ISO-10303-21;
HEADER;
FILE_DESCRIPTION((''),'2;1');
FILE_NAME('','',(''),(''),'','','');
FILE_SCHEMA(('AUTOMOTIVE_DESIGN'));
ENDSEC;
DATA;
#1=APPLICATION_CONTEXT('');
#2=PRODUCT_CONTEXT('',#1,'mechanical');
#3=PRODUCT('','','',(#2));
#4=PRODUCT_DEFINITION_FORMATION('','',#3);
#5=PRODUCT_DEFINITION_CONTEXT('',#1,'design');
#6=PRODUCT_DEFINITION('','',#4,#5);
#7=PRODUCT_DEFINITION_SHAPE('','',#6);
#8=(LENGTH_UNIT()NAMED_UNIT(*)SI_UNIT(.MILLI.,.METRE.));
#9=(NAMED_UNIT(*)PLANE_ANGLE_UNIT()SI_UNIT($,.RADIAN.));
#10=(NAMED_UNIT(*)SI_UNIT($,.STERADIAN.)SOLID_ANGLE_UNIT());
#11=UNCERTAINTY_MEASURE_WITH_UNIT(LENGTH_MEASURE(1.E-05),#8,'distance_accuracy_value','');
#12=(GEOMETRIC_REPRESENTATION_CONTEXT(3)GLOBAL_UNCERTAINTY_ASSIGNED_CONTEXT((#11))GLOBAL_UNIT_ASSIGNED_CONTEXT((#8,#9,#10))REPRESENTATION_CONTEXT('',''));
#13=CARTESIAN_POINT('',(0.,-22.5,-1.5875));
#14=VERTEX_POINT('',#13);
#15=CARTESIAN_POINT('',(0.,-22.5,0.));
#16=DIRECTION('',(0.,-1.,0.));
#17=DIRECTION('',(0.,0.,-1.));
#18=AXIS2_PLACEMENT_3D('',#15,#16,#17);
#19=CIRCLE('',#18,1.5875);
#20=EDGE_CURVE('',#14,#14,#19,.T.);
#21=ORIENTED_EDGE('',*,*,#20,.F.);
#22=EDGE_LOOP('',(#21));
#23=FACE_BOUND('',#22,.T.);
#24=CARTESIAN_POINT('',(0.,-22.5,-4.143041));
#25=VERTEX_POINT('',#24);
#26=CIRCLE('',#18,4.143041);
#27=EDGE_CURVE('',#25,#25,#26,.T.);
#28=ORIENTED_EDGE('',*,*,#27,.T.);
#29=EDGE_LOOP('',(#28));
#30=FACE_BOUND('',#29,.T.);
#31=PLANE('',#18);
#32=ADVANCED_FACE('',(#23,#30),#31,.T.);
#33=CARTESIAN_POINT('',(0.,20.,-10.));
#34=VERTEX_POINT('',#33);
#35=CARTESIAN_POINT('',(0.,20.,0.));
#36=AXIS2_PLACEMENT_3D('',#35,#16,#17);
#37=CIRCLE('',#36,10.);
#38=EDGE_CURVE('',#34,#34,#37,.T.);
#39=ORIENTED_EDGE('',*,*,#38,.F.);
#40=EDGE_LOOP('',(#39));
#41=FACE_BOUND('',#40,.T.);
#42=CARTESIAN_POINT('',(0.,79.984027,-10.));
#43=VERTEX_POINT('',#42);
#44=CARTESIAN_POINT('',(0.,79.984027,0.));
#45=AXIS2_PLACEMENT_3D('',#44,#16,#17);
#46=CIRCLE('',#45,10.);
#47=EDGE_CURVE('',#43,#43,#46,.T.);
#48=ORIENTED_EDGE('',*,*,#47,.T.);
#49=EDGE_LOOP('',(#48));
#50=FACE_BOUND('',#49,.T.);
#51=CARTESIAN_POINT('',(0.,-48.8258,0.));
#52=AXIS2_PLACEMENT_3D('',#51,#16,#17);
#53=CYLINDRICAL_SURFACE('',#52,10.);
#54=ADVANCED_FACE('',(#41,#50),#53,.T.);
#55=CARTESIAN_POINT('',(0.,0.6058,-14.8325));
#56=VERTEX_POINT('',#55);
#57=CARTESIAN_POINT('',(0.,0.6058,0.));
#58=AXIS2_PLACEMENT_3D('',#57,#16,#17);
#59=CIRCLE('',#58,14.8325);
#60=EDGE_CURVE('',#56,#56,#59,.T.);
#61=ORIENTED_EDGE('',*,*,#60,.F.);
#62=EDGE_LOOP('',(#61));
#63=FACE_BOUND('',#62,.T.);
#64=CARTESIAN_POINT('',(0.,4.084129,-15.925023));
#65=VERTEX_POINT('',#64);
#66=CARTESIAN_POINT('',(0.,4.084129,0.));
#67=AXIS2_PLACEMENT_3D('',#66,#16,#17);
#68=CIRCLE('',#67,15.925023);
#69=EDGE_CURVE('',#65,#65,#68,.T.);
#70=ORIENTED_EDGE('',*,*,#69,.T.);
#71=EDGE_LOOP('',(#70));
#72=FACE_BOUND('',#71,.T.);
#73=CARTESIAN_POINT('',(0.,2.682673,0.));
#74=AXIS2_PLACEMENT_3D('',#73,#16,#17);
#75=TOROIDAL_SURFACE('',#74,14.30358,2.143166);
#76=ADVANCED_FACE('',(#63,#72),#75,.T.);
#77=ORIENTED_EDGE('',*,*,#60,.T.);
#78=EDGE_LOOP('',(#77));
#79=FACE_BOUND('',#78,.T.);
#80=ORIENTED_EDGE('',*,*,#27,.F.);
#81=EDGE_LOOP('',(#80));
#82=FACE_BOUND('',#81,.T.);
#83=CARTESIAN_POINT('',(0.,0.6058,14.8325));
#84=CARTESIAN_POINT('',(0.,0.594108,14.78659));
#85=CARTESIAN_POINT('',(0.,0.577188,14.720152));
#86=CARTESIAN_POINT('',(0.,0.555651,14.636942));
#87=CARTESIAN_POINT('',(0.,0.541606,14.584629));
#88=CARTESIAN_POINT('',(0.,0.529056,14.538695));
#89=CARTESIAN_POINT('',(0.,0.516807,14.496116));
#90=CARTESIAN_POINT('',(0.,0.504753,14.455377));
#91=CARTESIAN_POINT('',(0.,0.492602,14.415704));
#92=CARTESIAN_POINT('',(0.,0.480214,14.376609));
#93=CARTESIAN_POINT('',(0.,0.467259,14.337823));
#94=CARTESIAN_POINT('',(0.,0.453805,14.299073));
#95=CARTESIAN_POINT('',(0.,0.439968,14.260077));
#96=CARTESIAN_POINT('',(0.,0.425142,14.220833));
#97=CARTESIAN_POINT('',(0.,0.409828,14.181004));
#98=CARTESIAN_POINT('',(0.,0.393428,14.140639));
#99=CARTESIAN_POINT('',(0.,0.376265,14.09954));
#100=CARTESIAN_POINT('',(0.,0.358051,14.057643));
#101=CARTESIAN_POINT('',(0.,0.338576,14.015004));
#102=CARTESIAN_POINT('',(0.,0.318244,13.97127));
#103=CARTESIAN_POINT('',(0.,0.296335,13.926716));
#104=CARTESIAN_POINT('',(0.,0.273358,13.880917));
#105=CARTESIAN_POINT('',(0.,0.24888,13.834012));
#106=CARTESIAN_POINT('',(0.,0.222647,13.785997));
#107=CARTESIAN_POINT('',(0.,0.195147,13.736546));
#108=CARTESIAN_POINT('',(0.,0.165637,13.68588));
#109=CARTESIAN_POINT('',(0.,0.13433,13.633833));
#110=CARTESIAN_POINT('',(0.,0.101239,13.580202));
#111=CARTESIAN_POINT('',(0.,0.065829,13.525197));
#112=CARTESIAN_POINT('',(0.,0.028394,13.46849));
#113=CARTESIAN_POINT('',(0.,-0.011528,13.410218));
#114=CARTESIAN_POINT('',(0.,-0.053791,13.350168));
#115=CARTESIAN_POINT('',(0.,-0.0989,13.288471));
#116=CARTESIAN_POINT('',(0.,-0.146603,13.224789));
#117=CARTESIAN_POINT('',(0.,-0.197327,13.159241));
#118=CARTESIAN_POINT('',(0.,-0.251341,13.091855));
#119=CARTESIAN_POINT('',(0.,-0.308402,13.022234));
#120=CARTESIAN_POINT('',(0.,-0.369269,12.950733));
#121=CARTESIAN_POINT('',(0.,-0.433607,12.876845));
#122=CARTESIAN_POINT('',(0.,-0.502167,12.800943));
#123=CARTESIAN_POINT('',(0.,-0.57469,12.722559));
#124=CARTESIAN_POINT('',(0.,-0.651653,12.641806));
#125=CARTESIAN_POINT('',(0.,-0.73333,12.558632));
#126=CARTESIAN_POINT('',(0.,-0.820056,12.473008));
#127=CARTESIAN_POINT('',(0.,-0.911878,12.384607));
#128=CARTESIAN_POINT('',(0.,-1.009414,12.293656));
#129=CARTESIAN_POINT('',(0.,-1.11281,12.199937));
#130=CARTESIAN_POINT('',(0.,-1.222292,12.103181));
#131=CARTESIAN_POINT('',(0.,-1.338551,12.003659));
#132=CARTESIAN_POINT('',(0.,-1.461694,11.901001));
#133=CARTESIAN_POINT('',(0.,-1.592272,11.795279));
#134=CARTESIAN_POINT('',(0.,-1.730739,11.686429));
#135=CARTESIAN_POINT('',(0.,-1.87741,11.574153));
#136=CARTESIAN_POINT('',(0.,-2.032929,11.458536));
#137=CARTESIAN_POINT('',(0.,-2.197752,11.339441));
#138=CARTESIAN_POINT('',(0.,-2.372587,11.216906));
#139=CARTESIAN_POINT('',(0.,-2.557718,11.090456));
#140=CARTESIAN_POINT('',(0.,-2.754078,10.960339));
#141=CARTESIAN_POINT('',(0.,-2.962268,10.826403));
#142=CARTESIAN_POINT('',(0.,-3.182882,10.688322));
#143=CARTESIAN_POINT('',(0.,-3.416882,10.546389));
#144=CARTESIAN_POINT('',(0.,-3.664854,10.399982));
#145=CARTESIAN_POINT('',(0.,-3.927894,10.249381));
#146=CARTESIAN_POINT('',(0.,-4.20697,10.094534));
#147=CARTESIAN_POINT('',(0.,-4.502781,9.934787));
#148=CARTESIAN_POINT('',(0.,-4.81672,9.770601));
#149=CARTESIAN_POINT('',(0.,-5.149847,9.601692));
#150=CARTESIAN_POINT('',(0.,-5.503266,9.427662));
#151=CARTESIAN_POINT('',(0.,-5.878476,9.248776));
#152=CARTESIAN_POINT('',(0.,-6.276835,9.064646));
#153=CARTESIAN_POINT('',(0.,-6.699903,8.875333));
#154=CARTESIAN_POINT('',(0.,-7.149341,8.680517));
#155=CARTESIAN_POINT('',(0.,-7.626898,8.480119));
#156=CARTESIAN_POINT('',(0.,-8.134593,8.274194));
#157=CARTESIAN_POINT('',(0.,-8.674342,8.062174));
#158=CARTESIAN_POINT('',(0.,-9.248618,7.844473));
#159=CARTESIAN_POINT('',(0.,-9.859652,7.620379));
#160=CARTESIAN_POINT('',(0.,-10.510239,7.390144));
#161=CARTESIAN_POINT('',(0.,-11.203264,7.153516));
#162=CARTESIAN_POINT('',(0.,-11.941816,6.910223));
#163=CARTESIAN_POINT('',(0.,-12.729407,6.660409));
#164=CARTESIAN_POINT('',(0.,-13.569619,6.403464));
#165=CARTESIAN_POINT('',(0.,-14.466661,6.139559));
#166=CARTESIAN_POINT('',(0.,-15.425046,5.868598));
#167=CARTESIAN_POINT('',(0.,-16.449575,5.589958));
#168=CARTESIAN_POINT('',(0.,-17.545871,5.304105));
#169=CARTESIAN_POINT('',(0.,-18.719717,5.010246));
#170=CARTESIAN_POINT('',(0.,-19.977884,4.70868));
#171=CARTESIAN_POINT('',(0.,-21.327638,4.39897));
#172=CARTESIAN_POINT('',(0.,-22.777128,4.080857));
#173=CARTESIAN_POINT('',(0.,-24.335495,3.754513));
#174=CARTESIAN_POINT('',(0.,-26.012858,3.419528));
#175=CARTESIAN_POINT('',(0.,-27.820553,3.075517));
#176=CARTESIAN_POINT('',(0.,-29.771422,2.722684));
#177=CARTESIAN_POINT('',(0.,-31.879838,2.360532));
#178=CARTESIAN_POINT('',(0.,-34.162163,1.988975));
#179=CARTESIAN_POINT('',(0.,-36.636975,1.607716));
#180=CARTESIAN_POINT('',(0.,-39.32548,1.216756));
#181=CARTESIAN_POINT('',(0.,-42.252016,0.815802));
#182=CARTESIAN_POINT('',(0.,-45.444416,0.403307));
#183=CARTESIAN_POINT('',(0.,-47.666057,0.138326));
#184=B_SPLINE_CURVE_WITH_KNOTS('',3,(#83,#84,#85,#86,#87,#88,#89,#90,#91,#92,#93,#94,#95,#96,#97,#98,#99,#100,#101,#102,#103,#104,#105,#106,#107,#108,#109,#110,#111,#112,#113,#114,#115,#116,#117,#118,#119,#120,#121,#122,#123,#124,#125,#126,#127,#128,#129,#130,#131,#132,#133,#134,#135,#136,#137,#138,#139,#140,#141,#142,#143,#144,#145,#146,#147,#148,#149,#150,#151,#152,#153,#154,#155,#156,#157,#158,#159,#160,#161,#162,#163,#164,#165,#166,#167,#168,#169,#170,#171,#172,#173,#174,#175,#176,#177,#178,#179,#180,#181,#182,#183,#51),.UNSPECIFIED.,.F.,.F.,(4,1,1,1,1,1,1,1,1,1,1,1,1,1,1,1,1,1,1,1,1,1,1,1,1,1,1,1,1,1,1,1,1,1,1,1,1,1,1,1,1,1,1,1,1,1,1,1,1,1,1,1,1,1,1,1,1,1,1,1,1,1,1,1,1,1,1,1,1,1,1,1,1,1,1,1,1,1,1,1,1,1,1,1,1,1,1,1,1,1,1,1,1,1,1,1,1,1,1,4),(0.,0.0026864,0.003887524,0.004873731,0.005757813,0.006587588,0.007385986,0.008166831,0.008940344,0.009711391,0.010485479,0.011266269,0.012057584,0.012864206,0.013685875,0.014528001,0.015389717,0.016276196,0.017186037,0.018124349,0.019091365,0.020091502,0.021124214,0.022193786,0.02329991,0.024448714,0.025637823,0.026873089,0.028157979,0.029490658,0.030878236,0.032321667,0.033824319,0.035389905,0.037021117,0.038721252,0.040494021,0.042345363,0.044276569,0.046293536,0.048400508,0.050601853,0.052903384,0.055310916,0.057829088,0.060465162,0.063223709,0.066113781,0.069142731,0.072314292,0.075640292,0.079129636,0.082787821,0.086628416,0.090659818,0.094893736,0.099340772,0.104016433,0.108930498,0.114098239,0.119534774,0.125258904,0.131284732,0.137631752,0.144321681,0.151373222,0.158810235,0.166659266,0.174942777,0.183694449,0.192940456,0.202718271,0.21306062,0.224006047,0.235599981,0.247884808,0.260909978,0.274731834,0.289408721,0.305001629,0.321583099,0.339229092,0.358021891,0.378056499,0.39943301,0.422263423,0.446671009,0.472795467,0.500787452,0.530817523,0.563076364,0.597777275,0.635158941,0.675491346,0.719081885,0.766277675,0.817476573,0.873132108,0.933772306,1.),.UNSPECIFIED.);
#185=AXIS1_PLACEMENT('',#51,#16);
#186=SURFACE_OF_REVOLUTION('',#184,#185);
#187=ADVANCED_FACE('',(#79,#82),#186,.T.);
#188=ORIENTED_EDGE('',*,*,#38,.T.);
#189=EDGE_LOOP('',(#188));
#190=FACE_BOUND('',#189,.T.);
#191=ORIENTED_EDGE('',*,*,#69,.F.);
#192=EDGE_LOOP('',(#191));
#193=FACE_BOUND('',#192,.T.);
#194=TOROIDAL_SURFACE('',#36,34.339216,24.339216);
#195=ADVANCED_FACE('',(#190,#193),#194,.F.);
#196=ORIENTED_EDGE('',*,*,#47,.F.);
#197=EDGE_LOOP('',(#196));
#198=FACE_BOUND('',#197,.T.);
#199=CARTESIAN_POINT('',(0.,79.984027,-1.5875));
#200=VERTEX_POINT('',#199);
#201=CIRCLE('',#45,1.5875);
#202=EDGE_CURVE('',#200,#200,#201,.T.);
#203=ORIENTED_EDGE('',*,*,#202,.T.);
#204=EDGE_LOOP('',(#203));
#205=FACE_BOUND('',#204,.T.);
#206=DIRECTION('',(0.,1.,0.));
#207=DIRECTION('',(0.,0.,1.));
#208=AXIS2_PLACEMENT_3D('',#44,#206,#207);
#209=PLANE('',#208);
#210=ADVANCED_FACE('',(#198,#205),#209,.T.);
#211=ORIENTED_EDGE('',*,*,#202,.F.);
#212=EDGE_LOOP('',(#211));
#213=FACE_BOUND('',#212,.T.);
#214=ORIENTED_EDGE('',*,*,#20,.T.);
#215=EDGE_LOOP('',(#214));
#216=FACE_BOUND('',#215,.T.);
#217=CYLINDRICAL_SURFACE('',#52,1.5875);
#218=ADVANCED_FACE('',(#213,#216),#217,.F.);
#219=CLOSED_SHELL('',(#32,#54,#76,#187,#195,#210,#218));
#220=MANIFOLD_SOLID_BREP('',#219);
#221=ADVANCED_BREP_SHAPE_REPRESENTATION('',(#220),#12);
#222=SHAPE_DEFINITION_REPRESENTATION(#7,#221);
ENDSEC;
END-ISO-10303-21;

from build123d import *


with BuildPart() as part:
    # Sketch2 → Revolve1 (revolve)
    with BuildSketch(Plane(origin=(0, 0, 0), x_dir=(0, 0, -1), z_dir=(1, 0, 0))):
        with BuildLine():
            Line((-10, 79.984026871), (-10, 20))
            ThreePointArc((-10, 20), (-11.529300925, 11.508521396), (-15.925023202, 4.084129443))
            ThreePointArc((-15.925023202, 4.084129443), (-16.348258147, 2.040451452), (-14.8325, 0.6058))
            add(Edge.make_bspline(
                [(-14.8325, 0.6058), (-14.786589527, 0.594107912), (-14.720151881, 0.577188139), (-14.636942478, 0.555651214), (-14.584628983, 0.541606051), (-14.538694782, 0.529056302), (-14.496115893, 0.516807178), (-14.455377323, 0.504752713), (-14.415703886, 0.492601586), (-14.376608725, 0.480213978), (-14.337823066, 0.467258765), (-14.299073296, 0.453804959), (-14.260077477, 0.439967714), (-14.220832936, 0.425142489), (-14.181003545, 0.409828499), (-14.140639226, 0.39342794), (-14.099539827, 0.376264866), (-14.057643188, 0.358051468), (-14.015003626, 0.338576095), (-13.971270318, 0.318244004), (-13.926716478, 0.296334648), (-13.88091734, 0.273357564), (-13.834012449, 0.248879897), (-13.785997304, 0.222646856), (-13.736545511, 0.195147367), (-13.685880417, 0.165637059), (-13.63383256, 0.134329981), (-13.580202235, 0.101238986), (-13.525196985, 0.065829097), (-13.468489978, 0.028394376), (-13.410218497, -0.011527982), (-13.350168278, -0.053791023), (-13.288470654, -0.098900311), (-13.224788811, -0.146603335), (-13.159241207, -0.197326808), (-13.091855296, -0.251341181), (-13.022233522, -0.308401649), (-12.950733187, -0.369268693), (-12.87684498, -0.433607317), (-12.800942833, -0.50216692), (-12.722558879, -0.574690204), (-12.64180647, -0.651653184), (-12.558631713, -0.733330072), (-12.473007863, -0.820056033), (-12.384606656, -0.911877967), (-12.293655943, -1.009413525), (-12.19993662, -1.112809578), (-12.103181234, -1.222292158), (-12.003658589, -1.33855085), (-11.901000777, -1.461694366), (-11.795279131, -1.592272191), (-11.686428516, -1.730738869), (-11.574152693, -1.877409894), (-11.458536394, -2.032929305), (-11.339441079, -2.197751566), (-11.216906306, -2.372586938), (-11.090456233, -2.557718159), (-10.960339372, -2.754078467), (-10.826403135, -2.962267921), (-10.688322214, -3.182881678), (-10.546388799, -3.416882377), (-10.399982006, -3.664853532), (-10.249381335, -3.927893894), (-10.094533615, -4.206969526), (-9.93478729, -4.502781144), (-9.770600526, -4.816720029), (-9.601692365, -5.149846675), (-9.427661931, -5.50326599), (-9.248775965, -5.878475674), (-9.064645901, -6.276835238), (-8.87533319, -6.699902872), (-8.680516638, -7.149341121), (-8.480119182, -7.626897717), (-8.27419422, -8.134593345), (-8.062173697, -8.674341942), (-7.844473046, -9.248617697), (-7.620378546, -9.859652358), (-7.390143634, -10.510239162), (-7.15351637, -11.203263925), (-6.91022293, -11.941816272), (-6.660409366, -12.729407317), (-6.403463868, -13.569619022), (-6.13955877, -14.466660747), (-5.86859751, -15.425045871), (-5.58995818, -16.449575), (-5.30410545, -17.54587051), (-5.010246169, -18.719716622), (-4.708679684, -19.977884286), (-4.417462856, -21.247043384), (-4.229902291, -22.098318051), (-4.143040834, -22.5)],
                knots=[0, 0, 0, 0, 0.0026864, 0.003887524, 0.004873731, 0.005757813, 0.006587588, 0.007385986, 0.008166831, 0.008940344, 0.009711391, 0.010485479, 0.011266269, 0.012057584, 0.012864206, 0.013685875, 0.014528001, 0.015389717, 0.016276196, 0.017186037, 0.018124349, 0.019091365, 0.020091502, 0.021124214, 0.022193786, 0.02329991, 0.024448714, 0.025637823, 0.026873089, 0.028157979, 0.029490658, 0.030878236, 0.032321667, 0.033824319, 0.035389905, 0.037021117, 0.038721252, 0.040494021, 0.042345363, 0.044276569, 0.046293536, 0.048400508, 0.050601853, 0.052903384, 0.055310916, 0.057829088, 0.060465162, 0.063223709, 0.066113781, 0.069142731, 0.072314292, 0.075640292, 0.079129636, 0.082787821, 0.086628416, 0.090659818, 0.094893736, 0.099340772, 0.104016433, 0.108930498, 0.114098239, 0.119534774, 0.125258904, 0.131284732, 0.137631752, 0.144321681, 0.151373222, 0.158810235, 0.166659266, 0.174942777, 0.183694449, 0.192940456, 0.202718271, 0.21306062, 0.224006047, 0.235599981, 0.247884808, 0.260909978, 0.274731834, 0.289408721, 0.305001629, 0.321583099, 0.339229092, 0.358021891, 0.378056499, 0.39943301, 0.422263423, 0.446671009, 0.472795467, 0.496098755, 0.496098755, 0.496098755, 0.496098755], degree=3))
            Line((-4.143040834, -22.5), (-1.5875, -22.5))
            Line((-1.5875, -22.5), (-1.5875, 79.984026871))
            Line((-1.5875, 79.984026871), (-10, 79.984026871))
        make_face()
    revolve(axis=Axis((0, -48.8258, 0), (0, 1, 0)))


solid = part.part
